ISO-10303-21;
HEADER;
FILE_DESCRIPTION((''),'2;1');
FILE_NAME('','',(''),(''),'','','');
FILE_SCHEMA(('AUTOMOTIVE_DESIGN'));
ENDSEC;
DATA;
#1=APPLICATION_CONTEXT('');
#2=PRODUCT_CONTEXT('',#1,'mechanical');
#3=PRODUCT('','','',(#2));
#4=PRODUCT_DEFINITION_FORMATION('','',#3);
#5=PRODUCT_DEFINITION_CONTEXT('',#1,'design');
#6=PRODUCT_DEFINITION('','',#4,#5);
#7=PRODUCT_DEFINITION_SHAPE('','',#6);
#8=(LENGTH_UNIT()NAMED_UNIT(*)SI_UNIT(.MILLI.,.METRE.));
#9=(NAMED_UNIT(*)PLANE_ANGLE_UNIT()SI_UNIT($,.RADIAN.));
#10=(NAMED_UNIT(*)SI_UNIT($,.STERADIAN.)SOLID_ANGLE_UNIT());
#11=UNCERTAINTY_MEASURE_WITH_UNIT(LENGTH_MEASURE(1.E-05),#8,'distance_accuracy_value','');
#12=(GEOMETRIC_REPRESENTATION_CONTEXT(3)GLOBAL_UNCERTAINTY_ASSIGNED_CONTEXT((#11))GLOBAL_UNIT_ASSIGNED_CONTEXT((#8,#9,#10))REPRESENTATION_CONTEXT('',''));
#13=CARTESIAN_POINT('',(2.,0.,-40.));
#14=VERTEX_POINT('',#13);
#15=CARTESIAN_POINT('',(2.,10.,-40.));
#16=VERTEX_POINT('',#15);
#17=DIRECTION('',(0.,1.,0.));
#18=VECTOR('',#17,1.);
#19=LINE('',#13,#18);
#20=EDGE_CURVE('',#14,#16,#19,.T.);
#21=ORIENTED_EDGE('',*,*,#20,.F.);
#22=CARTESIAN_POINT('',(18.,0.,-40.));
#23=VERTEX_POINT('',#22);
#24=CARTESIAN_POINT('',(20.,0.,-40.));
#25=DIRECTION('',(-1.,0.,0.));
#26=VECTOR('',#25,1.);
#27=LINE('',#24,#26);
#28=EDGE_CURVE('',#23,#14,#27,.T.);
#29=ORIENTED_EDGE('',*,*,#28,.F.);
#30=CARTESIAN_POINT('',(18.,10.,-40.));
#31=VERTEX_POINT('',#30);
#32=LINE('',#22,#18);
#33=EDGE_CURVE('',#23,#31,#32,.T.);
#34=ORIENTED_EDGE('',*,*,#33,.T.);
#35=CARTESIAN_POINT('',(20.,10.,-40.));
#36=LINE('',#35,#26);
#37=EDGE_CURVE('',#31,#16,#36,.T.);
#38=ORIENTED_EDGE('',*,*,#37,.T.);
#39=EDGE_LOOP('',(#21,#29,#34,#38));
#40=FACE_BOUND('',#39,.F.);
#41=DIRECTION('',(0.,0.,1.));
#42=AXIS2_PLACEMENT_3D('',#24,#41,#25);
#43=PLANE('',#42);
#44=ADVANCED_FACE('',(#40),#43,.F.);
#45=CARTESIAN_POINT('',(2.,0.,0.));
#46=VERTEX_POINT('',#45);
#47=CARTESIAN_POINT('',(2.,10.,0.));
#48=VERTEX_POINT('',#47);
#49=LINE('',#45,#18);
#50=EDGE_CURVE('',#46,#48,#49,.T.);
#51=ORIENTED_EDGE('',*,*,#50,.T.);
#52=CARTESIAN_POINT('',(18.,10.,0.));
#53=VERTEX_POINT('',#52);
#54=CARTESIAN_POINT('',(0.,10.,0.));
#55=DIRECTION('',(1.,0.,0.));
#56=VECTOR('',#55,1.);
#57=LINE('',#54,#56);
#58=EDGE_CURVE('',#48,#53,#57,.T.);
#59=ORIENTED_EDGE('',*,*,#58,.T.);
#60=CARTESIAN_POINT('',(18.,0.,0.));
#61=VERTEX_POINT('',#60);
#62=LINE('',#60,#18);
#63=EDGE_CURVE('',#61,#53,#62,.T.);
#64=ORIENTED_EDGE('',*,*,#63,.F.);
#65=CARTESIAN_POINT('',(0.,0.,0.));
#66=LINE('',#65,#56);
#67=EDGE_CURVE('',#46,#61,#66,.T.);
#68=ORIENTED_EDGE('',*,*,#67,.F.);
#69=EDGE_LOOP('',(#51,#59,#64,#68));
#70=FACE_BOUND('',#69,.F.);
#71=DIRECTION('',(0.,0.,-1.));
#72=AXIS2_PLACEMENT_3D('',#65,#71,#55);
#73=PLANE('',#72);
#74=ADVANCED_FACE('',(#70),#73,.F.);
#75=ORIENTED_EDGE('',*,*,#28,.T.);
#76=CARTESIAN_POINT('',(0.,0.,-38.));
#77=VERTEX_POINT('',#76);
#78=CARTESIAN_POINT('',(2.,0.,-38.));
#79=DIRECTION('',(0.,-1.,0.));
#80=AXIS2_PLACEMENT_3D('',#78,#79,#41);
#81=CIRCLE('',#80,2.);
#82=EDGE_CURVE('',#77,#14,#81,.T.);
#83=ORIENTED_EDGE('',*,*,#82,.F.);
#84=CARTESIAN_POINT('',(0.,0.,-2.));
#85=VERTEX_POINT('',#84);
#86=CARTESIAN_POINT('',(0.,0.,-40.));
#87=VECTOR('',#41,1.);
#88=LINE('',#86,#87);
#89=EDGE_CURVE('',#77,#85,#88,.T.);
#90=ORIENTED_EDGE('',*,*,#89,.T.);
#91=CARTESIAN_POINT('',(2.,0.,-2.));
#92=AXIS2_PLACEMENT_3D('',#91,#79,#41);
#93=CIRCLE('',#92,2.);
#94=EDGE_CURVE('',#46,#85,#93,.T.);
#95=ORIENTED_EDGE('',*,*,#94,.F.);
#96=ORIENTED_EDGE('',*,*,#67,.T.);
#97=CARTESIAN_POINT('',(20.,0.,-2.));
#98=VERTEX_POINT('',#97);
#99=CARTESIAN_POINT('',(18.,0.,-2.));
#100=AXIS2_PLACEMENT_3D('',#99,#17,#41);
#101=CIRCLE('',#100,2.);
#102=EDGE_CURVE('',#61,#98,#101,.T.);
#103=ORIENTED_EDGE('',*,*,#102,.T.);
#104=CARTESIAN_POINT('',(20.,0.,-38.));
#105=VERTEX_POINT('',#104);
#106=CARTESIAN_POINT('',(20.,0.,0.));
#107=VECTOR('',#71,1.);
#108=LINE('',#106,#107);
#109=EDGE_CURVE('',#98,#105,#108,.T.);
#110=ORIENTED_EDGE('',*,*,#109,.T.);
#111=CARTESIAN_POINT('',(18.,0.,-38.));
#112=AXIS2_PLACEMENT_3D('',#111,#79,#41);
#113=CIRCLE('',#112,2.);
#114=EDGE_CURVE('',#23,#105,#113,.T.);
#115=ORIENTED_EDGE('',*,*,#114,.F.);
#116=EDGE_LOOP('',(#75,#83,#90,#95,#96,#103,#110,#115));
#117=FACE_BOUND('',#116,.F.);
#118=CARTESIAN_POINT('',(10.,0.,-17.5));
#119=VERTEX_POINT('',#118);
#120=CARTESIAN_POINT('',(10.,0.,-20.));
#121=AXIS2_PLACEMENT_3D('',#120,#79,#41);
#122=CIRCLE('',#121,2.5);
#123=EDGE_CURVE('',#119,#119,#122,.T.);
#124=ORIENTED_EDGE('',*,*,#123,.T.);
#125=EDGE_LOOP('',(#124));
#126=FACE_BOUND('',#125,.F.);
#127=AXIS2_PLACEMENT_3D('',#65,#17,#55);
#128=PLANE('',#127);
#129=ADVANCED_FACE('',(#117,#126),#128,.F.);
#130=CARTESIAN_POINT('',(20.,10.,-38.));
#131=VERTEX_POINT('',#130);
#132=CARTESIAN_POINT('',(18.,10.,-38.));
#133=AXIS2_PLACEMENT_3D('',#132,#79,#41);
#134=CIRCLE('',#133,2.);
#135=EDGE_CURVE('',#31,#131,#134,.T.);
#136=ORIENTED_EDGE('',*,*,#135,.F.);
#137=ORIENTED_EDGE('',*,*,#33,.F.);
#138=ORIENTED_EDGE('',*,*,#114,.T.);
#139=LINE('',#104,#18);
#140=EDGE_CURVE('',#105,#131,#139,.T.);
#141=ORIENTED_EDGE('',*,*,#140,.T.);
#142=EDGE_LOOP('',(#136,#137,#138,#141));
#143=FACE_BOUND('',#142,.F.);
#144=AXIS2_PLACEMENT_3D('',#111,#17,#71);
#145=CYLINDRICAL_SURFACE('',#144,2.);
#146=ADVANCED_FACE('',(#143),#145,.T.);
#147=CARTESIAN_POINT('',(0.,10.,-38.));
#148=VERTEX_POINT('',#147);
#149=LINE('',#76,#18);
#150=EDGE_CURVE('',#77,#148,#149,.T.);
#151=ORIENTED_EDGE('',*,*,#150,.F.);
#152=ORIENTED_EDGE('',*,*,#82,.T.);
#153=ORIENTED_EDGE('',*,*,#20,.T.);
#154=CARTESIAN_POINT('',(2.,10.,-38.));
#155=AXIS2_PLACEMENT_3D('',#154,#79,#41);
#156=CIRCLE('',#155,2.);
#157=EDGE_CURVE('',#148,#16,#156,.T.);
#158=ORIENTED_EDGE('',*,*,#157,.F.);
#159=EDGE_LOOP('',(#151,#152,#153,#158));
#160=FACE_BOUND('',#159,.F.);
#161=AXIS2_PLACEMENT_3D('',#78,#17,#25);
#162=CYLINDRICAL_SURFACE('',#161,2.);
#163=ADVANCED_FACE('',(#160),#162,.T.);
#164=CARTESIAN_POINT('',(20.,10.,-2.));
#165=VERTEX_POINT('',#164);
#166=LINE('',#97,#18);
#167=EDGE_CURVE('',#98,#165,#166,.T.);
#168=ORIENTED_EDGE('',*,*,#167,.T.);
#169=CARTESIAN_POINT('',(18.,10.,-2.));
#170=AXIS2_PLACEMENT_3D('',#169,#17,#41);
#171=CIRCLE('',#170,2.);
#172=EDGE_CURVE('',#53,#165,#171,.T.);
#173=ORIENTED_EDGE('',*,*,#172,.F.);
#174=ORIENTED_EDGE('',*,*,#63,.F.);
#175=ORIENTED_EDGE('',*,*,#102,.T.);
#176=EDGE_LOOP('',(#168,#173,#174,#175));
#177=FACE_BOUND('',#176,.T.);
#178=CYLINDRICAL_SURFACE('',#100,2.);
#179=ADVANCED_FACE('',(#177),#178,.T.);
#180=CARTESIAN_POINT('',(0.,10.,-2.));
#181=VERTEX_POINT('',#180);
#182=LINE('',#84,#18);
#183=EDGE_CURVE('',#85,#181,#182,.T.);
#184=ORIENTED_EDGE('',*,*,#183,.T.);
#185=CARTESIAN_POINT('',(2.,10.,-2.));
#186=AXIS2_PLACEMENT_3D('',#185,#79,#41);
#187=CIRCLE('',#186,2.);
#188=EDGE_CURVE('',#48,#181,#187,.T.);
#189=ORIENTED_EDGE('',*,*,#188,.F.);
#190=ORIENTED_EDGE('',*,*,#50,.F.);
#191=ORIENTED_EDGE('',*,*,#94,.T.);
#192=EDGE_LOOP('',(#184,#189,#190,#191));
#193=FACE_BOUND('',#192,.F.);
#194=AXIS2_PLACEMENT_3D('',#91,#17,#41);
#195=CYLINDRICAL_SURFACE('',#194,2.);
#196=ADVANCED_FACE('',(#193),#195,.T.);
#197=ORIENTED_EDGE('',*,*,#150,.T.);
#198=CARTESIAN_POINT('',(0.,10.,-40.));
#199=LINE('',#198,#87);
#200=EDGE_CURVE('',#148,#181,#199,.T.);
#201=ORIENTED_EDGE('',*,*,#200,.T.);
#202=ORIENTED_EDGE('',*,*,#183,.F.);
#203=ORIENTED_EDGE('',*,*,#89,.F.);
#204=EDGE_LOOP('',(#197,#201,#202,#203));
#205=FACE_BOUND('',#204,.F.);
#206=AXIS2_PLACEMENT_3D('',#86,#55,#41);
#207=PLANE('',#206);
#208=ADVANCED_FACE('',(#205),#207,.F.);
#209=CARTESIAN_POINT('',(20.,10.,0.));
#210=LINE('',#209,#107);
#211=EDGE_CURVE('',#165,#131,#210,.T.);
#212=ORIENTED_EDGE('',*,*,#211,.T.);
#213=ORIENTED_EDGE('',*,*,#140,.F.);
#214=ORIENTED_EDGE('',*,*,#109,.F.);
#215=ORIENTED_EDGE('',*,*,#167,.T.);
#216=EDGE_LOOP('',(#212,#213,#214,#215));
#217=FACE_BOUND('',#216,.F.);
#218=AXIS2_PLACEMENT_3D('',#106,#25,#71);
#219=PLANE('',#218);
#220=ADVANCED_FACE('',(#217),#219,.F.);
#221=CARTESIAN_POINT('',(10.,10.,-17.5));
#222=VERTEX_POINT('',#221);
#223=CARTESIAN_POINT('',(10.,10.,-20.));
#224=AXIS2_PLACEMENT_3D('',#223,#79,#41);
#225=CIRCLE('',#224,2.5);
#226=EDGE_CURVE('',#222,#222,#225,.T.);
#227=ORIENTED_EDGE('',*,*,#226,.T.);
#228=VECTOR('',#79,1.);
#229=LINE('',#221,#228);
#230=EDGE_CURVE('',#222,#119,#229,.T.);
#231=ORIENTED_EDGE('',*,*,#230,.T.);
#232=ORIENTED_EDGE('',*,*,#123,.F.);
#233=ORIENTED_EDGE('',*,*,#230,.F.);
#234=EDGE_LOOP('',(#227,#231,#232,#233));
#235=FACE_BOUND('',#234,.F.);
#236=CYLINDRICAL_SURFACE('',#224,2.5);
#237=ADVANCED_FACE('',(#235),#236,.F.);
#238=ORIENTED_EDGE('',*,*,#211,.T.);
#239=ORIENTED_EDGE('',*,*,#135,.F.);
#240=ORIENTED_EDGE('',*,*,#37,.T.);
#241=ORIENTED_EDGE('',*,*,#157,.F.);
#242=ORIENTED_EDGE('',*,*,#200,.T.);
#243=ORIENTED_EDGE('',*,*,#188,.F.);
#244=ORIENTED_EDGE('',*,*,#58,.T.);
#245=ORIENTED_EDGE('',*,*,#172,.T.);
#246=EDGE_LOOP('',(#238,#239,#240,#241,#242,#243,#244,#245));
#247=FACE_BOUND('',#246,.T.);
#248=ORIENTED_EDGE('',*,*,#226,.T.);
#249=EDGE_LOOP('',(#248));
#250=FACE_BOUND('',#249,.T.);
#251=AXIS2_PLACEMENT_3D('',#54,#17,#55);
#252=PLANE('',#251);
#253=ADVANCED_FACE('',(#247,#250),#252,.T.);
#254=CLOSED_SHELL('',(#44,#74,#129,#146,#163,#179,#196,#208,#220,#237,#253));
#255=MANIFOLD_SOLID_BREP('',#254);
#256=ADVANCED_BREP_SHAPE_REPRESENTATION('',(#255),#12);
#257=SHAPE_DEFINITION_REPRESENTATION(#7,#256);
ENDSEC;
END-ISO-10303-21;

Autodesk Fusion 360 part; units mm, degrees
sketch "Sketch1" plane through (0, 0, 0) normal (0, 0, 1) x (1, 0, 0)
  line L0 (0, 0) -> (40, 0)
  line L1 (40, 0) -> (40, -20)
  line L2 (40, -20) -> (0, -20)
  line L3 (0, -20) -> (0, 0)
sketch "Sketch2" plane through (0, 0, 0) normal (0, 1, 0) x (1, 0, 0)
  line L0 (0, 0) -> (20, 0)
  line L1 (20, 0) -> (20, 40)
  line L2 (20, 40) -> (0, 40)
  line L3 (0, 40) -> (0, 0)
extrude "Extrude2" add sketch "Sketch2" along normal blind 10
hole "Hole1" at (10, 10, -20) direction (0, -1, 0) diameter 5 depth 10 tip angle 118
fillet "Fillet1" radius 2 1 edges at (20, 5, 0)
fillet "Fillet2" radius 2 1 edges at (0, 5, 0)
fillet "Fillet3" radius 2 1 edges at (0, 5, -40)
fillet "Fillet4" radius 2 1 edges at (20, 5, -40)
